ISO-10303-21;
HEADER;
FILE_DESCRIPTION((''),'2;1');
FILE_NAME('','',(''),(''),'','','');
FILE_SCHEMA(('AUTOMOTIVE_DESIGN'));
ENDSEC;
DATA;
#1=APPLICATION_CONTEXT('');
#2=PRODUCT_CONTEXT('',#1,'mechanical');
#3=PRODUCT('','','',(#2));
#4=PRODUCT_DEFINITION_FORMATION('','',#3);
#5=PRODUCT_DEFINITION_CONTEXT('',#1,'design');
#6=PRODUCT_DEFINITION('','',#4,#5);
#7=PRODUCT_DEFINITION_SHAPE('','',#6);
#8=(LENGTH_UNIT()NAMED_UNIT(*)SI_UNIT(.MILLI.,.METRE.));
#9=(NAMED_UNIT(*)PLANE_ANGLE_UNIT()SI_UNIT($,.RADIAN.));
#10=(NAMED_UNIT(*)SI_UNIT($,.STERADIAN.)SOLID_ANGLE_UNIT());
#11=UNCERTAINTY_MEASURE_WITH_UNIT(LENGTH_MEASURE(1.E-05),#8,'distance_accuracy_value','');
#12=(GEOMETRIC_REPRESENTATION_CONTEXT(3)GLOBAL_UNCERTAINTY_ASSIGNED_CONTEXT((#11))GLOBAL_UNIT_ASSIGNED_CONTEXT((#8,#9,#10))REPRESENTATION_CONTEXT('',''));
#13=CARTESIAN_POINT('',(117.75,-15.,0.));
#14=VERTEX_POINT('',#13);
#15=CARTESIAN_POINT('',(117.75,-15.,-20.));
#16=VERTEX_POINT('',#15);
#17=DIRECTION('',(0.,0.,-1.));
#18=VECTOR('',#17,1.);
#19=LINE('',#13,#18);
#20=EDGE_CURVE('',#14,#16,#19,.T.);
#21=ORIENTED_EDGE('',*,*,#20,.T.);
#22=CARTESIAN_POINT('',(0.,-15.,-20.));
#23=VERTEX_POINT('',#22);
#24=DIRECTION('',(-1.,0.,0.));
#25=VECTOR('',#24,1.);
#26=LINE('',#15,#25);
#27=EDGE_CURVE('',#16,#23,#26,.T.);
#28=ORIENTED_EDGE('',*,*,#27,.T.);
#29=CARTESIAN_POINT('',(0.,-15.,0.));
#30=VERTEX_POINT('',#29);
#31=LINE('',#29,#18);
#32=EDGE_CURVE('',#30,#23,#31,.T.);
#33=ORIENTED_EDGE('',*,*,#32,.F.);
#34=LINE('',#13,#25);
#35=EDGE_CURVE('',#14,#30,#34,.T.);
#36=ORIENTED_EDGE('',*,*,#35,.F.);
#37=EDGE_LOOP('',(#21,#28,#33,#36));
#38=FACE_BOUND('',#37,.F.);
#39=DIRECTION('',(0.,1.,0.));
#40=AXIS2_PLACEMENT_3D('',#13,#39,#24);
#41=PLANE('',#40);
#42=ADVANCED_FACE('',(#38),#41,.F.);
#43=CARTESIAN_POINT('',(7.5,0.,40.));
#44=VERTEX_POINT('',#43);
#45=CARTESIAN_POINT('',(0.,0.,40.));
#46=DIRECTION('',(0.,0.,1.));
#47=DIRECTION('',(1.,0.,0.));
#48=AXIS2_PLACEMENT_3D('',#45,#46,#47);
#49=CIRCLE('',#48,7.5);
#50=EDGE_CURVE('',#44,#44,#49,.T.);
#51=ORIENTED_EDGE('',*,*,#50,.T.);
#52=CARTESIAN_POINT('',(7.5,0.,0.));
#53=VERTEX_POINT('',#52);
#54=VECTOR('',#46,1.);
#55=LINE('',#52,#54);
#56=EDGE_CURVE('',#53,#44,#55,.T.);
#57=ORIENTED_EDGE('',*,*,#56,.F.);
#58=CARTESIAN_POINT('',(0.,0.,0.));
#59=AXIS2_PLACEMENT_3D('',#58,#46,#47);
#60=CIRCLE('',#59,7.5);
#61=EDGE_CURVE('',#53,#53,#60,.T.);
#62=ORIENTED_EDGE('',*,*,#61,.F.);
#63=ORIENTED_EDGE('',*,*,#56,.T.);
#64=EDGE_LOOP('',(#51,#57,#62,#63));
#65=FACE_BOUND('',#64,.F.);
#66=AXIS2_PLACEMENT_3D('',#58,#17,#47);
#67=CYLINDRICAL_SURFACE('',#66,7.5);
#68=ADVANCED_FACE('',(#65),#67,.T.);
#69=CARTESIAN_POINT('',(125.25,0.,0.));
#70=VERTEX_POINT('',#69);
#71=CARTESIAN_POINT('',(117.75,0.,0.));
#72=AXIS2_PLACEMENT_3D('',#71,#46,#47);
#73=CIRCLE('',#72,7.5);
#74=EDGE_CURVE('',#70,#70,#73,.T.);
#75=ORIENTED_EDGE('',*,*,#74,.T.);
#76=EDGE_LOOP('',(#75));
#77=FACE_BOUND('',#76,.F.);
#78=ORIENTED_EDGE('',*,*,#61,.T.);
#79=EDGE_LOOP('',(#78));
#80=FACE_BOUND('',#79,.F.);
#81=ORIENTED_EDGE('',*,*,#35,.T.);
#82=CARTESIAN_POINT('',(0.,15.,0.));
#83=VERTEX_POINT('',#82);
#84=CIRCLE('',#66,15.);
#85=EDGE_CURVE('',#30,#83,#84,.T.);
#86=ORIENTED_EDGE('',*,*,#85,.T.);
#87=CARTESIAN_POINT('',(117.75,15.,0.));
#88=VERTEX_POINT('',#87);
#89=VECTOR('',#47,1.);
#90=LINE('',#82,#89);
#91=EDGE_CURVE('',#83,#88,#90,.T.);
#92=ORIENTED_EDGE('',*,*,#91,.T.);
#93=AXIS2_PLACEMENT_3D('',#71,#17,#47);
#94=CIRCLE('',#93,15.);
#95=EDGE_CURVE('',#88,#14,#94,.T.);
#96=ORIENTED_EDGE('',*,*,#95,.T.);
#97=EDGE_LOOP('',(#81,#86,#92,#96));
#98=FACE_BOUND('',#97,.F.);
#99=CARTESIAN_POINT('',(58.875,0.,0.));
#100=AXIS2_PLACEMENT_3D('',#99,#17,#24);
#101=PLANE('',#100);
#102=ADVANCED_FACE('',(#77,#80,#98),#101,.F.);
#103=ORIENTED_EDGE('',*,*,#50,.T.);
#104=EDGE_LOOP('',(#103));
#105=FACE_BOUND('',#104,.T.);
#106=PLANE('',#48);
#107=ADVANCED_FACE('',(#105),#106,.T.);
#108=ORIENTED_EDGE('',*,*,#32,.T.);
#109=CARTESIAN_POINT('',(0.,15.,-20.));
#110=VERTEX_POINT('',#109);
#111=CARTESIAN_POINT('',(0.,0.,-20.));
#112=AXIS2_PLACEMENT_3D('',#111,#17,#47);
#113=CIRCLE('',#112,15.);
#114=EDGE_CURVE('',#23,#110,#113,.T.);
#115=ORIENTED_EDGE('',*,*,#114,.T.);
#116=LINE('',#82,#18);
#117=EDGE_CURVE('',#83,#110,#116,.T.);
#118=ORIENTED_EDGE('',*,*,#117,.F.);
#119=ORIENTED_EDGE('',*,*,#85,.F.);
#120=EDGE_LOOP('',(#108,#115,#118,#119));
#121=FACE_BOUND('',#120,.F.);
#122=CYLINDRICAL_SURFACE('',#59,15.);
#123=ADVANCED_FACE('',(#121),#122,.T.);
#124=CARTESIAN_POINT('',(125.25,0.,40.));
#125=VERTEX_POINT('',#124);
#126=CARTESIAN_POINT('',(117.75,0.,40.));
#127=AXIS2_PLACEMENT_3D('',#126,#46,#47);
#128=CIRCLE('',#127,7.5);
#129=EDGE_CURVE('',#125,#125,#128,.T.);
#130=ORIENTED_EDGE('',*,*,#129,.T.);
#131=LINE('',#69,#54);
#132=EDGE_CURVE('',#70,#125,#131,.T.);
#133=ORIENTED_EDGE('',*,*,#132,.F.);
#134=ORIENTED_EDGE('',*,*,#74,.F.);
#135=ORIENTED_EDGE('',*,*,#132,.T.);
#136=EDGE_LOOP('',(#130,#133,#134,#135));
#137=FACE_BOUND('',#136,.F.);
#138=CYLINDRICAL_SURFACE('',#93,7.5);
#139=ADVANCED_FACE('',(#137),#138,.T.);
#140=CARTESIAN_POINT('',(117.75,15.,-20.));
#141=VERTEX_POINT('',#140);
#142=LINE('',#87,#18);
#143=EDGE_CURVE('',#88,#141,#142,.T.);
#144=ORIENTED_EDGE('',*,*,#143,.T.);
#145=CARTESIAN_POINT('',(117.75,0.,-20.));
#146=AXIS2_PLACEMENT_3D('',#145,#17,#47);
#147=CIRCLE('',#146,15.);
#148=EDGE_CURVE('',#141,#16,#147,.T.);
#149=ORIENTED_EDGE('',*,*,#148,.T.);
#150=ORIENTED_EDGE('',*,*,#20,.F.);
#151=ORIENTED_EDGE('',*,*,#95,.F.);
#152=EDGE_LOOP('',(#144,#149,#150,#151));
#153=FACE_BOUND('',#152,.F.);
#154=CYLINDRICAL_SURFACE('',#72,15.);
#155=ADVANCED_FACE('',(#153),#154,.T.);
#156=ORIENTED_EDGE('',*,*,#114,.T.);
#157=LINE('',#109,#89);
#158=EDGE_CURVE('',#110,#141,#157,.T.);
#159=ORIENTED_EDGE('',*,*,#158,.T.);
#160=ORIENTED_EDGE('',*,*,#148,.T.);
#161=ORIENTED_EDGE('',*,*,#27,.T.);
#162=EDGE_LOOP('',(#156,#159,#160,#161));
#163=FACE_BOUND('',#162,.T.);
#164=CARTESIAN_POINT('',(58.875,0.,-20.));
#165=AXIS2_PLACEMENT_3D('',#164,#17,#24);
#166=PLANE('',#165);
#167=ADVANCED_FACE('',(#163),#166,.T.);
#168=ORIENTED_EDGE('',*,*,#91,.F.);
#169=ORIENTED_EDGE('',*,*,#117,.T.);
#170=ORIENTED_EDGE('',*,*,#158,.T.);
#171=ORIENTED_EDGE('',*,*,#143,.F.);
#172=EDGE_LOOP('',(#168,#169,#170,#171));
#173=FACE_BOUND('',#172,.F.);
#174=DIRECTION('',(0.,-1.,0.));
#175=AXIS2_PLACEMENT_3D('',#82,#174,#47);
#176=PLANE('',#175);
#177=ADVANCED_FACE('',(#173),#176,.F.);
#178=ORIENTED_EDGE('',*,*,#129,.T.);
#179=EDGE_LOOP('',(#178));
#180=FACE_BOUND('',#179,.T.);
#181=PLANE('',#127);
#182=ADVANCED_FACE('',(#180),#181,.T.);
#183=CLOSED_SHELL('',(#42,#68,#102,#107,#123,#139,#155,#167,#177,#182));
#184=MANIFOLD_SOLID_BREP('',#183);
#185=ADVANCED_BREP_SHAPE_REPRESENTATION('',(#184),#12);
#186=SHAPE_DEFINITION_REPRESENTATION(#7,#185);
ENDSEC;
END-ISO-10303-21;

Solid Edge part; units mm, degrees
sketch "Sketch1" plane through (0, 0, 0) normal (0, 0, 1) x (1, 0, 0)
  line L0 (0, 15) -> (117.75, 15)
  line L1 (117.75, -15) -> (0, -15)
  arc A0 (117.75, 15) -> (117.75, -15) centre (117.75, 0) cw
  arc A1 (0, -15) -> (0, 15) centre (0, 0) cw
extrude "Protrusion1" add sketch "Sketch1" against normal blind 20
sketch "Sketch2" plane through (103.5, 0, 0) normal (0, 0, 1) x (1, 0, 0)
  circle A0 centre (-103.5, 0) radius 7.5
  circle A1 centre (14.25, 0) radius 7.5
extrude "ExtrudedProtrusion_2" add sketch "Sketch2" along normal blind 40
